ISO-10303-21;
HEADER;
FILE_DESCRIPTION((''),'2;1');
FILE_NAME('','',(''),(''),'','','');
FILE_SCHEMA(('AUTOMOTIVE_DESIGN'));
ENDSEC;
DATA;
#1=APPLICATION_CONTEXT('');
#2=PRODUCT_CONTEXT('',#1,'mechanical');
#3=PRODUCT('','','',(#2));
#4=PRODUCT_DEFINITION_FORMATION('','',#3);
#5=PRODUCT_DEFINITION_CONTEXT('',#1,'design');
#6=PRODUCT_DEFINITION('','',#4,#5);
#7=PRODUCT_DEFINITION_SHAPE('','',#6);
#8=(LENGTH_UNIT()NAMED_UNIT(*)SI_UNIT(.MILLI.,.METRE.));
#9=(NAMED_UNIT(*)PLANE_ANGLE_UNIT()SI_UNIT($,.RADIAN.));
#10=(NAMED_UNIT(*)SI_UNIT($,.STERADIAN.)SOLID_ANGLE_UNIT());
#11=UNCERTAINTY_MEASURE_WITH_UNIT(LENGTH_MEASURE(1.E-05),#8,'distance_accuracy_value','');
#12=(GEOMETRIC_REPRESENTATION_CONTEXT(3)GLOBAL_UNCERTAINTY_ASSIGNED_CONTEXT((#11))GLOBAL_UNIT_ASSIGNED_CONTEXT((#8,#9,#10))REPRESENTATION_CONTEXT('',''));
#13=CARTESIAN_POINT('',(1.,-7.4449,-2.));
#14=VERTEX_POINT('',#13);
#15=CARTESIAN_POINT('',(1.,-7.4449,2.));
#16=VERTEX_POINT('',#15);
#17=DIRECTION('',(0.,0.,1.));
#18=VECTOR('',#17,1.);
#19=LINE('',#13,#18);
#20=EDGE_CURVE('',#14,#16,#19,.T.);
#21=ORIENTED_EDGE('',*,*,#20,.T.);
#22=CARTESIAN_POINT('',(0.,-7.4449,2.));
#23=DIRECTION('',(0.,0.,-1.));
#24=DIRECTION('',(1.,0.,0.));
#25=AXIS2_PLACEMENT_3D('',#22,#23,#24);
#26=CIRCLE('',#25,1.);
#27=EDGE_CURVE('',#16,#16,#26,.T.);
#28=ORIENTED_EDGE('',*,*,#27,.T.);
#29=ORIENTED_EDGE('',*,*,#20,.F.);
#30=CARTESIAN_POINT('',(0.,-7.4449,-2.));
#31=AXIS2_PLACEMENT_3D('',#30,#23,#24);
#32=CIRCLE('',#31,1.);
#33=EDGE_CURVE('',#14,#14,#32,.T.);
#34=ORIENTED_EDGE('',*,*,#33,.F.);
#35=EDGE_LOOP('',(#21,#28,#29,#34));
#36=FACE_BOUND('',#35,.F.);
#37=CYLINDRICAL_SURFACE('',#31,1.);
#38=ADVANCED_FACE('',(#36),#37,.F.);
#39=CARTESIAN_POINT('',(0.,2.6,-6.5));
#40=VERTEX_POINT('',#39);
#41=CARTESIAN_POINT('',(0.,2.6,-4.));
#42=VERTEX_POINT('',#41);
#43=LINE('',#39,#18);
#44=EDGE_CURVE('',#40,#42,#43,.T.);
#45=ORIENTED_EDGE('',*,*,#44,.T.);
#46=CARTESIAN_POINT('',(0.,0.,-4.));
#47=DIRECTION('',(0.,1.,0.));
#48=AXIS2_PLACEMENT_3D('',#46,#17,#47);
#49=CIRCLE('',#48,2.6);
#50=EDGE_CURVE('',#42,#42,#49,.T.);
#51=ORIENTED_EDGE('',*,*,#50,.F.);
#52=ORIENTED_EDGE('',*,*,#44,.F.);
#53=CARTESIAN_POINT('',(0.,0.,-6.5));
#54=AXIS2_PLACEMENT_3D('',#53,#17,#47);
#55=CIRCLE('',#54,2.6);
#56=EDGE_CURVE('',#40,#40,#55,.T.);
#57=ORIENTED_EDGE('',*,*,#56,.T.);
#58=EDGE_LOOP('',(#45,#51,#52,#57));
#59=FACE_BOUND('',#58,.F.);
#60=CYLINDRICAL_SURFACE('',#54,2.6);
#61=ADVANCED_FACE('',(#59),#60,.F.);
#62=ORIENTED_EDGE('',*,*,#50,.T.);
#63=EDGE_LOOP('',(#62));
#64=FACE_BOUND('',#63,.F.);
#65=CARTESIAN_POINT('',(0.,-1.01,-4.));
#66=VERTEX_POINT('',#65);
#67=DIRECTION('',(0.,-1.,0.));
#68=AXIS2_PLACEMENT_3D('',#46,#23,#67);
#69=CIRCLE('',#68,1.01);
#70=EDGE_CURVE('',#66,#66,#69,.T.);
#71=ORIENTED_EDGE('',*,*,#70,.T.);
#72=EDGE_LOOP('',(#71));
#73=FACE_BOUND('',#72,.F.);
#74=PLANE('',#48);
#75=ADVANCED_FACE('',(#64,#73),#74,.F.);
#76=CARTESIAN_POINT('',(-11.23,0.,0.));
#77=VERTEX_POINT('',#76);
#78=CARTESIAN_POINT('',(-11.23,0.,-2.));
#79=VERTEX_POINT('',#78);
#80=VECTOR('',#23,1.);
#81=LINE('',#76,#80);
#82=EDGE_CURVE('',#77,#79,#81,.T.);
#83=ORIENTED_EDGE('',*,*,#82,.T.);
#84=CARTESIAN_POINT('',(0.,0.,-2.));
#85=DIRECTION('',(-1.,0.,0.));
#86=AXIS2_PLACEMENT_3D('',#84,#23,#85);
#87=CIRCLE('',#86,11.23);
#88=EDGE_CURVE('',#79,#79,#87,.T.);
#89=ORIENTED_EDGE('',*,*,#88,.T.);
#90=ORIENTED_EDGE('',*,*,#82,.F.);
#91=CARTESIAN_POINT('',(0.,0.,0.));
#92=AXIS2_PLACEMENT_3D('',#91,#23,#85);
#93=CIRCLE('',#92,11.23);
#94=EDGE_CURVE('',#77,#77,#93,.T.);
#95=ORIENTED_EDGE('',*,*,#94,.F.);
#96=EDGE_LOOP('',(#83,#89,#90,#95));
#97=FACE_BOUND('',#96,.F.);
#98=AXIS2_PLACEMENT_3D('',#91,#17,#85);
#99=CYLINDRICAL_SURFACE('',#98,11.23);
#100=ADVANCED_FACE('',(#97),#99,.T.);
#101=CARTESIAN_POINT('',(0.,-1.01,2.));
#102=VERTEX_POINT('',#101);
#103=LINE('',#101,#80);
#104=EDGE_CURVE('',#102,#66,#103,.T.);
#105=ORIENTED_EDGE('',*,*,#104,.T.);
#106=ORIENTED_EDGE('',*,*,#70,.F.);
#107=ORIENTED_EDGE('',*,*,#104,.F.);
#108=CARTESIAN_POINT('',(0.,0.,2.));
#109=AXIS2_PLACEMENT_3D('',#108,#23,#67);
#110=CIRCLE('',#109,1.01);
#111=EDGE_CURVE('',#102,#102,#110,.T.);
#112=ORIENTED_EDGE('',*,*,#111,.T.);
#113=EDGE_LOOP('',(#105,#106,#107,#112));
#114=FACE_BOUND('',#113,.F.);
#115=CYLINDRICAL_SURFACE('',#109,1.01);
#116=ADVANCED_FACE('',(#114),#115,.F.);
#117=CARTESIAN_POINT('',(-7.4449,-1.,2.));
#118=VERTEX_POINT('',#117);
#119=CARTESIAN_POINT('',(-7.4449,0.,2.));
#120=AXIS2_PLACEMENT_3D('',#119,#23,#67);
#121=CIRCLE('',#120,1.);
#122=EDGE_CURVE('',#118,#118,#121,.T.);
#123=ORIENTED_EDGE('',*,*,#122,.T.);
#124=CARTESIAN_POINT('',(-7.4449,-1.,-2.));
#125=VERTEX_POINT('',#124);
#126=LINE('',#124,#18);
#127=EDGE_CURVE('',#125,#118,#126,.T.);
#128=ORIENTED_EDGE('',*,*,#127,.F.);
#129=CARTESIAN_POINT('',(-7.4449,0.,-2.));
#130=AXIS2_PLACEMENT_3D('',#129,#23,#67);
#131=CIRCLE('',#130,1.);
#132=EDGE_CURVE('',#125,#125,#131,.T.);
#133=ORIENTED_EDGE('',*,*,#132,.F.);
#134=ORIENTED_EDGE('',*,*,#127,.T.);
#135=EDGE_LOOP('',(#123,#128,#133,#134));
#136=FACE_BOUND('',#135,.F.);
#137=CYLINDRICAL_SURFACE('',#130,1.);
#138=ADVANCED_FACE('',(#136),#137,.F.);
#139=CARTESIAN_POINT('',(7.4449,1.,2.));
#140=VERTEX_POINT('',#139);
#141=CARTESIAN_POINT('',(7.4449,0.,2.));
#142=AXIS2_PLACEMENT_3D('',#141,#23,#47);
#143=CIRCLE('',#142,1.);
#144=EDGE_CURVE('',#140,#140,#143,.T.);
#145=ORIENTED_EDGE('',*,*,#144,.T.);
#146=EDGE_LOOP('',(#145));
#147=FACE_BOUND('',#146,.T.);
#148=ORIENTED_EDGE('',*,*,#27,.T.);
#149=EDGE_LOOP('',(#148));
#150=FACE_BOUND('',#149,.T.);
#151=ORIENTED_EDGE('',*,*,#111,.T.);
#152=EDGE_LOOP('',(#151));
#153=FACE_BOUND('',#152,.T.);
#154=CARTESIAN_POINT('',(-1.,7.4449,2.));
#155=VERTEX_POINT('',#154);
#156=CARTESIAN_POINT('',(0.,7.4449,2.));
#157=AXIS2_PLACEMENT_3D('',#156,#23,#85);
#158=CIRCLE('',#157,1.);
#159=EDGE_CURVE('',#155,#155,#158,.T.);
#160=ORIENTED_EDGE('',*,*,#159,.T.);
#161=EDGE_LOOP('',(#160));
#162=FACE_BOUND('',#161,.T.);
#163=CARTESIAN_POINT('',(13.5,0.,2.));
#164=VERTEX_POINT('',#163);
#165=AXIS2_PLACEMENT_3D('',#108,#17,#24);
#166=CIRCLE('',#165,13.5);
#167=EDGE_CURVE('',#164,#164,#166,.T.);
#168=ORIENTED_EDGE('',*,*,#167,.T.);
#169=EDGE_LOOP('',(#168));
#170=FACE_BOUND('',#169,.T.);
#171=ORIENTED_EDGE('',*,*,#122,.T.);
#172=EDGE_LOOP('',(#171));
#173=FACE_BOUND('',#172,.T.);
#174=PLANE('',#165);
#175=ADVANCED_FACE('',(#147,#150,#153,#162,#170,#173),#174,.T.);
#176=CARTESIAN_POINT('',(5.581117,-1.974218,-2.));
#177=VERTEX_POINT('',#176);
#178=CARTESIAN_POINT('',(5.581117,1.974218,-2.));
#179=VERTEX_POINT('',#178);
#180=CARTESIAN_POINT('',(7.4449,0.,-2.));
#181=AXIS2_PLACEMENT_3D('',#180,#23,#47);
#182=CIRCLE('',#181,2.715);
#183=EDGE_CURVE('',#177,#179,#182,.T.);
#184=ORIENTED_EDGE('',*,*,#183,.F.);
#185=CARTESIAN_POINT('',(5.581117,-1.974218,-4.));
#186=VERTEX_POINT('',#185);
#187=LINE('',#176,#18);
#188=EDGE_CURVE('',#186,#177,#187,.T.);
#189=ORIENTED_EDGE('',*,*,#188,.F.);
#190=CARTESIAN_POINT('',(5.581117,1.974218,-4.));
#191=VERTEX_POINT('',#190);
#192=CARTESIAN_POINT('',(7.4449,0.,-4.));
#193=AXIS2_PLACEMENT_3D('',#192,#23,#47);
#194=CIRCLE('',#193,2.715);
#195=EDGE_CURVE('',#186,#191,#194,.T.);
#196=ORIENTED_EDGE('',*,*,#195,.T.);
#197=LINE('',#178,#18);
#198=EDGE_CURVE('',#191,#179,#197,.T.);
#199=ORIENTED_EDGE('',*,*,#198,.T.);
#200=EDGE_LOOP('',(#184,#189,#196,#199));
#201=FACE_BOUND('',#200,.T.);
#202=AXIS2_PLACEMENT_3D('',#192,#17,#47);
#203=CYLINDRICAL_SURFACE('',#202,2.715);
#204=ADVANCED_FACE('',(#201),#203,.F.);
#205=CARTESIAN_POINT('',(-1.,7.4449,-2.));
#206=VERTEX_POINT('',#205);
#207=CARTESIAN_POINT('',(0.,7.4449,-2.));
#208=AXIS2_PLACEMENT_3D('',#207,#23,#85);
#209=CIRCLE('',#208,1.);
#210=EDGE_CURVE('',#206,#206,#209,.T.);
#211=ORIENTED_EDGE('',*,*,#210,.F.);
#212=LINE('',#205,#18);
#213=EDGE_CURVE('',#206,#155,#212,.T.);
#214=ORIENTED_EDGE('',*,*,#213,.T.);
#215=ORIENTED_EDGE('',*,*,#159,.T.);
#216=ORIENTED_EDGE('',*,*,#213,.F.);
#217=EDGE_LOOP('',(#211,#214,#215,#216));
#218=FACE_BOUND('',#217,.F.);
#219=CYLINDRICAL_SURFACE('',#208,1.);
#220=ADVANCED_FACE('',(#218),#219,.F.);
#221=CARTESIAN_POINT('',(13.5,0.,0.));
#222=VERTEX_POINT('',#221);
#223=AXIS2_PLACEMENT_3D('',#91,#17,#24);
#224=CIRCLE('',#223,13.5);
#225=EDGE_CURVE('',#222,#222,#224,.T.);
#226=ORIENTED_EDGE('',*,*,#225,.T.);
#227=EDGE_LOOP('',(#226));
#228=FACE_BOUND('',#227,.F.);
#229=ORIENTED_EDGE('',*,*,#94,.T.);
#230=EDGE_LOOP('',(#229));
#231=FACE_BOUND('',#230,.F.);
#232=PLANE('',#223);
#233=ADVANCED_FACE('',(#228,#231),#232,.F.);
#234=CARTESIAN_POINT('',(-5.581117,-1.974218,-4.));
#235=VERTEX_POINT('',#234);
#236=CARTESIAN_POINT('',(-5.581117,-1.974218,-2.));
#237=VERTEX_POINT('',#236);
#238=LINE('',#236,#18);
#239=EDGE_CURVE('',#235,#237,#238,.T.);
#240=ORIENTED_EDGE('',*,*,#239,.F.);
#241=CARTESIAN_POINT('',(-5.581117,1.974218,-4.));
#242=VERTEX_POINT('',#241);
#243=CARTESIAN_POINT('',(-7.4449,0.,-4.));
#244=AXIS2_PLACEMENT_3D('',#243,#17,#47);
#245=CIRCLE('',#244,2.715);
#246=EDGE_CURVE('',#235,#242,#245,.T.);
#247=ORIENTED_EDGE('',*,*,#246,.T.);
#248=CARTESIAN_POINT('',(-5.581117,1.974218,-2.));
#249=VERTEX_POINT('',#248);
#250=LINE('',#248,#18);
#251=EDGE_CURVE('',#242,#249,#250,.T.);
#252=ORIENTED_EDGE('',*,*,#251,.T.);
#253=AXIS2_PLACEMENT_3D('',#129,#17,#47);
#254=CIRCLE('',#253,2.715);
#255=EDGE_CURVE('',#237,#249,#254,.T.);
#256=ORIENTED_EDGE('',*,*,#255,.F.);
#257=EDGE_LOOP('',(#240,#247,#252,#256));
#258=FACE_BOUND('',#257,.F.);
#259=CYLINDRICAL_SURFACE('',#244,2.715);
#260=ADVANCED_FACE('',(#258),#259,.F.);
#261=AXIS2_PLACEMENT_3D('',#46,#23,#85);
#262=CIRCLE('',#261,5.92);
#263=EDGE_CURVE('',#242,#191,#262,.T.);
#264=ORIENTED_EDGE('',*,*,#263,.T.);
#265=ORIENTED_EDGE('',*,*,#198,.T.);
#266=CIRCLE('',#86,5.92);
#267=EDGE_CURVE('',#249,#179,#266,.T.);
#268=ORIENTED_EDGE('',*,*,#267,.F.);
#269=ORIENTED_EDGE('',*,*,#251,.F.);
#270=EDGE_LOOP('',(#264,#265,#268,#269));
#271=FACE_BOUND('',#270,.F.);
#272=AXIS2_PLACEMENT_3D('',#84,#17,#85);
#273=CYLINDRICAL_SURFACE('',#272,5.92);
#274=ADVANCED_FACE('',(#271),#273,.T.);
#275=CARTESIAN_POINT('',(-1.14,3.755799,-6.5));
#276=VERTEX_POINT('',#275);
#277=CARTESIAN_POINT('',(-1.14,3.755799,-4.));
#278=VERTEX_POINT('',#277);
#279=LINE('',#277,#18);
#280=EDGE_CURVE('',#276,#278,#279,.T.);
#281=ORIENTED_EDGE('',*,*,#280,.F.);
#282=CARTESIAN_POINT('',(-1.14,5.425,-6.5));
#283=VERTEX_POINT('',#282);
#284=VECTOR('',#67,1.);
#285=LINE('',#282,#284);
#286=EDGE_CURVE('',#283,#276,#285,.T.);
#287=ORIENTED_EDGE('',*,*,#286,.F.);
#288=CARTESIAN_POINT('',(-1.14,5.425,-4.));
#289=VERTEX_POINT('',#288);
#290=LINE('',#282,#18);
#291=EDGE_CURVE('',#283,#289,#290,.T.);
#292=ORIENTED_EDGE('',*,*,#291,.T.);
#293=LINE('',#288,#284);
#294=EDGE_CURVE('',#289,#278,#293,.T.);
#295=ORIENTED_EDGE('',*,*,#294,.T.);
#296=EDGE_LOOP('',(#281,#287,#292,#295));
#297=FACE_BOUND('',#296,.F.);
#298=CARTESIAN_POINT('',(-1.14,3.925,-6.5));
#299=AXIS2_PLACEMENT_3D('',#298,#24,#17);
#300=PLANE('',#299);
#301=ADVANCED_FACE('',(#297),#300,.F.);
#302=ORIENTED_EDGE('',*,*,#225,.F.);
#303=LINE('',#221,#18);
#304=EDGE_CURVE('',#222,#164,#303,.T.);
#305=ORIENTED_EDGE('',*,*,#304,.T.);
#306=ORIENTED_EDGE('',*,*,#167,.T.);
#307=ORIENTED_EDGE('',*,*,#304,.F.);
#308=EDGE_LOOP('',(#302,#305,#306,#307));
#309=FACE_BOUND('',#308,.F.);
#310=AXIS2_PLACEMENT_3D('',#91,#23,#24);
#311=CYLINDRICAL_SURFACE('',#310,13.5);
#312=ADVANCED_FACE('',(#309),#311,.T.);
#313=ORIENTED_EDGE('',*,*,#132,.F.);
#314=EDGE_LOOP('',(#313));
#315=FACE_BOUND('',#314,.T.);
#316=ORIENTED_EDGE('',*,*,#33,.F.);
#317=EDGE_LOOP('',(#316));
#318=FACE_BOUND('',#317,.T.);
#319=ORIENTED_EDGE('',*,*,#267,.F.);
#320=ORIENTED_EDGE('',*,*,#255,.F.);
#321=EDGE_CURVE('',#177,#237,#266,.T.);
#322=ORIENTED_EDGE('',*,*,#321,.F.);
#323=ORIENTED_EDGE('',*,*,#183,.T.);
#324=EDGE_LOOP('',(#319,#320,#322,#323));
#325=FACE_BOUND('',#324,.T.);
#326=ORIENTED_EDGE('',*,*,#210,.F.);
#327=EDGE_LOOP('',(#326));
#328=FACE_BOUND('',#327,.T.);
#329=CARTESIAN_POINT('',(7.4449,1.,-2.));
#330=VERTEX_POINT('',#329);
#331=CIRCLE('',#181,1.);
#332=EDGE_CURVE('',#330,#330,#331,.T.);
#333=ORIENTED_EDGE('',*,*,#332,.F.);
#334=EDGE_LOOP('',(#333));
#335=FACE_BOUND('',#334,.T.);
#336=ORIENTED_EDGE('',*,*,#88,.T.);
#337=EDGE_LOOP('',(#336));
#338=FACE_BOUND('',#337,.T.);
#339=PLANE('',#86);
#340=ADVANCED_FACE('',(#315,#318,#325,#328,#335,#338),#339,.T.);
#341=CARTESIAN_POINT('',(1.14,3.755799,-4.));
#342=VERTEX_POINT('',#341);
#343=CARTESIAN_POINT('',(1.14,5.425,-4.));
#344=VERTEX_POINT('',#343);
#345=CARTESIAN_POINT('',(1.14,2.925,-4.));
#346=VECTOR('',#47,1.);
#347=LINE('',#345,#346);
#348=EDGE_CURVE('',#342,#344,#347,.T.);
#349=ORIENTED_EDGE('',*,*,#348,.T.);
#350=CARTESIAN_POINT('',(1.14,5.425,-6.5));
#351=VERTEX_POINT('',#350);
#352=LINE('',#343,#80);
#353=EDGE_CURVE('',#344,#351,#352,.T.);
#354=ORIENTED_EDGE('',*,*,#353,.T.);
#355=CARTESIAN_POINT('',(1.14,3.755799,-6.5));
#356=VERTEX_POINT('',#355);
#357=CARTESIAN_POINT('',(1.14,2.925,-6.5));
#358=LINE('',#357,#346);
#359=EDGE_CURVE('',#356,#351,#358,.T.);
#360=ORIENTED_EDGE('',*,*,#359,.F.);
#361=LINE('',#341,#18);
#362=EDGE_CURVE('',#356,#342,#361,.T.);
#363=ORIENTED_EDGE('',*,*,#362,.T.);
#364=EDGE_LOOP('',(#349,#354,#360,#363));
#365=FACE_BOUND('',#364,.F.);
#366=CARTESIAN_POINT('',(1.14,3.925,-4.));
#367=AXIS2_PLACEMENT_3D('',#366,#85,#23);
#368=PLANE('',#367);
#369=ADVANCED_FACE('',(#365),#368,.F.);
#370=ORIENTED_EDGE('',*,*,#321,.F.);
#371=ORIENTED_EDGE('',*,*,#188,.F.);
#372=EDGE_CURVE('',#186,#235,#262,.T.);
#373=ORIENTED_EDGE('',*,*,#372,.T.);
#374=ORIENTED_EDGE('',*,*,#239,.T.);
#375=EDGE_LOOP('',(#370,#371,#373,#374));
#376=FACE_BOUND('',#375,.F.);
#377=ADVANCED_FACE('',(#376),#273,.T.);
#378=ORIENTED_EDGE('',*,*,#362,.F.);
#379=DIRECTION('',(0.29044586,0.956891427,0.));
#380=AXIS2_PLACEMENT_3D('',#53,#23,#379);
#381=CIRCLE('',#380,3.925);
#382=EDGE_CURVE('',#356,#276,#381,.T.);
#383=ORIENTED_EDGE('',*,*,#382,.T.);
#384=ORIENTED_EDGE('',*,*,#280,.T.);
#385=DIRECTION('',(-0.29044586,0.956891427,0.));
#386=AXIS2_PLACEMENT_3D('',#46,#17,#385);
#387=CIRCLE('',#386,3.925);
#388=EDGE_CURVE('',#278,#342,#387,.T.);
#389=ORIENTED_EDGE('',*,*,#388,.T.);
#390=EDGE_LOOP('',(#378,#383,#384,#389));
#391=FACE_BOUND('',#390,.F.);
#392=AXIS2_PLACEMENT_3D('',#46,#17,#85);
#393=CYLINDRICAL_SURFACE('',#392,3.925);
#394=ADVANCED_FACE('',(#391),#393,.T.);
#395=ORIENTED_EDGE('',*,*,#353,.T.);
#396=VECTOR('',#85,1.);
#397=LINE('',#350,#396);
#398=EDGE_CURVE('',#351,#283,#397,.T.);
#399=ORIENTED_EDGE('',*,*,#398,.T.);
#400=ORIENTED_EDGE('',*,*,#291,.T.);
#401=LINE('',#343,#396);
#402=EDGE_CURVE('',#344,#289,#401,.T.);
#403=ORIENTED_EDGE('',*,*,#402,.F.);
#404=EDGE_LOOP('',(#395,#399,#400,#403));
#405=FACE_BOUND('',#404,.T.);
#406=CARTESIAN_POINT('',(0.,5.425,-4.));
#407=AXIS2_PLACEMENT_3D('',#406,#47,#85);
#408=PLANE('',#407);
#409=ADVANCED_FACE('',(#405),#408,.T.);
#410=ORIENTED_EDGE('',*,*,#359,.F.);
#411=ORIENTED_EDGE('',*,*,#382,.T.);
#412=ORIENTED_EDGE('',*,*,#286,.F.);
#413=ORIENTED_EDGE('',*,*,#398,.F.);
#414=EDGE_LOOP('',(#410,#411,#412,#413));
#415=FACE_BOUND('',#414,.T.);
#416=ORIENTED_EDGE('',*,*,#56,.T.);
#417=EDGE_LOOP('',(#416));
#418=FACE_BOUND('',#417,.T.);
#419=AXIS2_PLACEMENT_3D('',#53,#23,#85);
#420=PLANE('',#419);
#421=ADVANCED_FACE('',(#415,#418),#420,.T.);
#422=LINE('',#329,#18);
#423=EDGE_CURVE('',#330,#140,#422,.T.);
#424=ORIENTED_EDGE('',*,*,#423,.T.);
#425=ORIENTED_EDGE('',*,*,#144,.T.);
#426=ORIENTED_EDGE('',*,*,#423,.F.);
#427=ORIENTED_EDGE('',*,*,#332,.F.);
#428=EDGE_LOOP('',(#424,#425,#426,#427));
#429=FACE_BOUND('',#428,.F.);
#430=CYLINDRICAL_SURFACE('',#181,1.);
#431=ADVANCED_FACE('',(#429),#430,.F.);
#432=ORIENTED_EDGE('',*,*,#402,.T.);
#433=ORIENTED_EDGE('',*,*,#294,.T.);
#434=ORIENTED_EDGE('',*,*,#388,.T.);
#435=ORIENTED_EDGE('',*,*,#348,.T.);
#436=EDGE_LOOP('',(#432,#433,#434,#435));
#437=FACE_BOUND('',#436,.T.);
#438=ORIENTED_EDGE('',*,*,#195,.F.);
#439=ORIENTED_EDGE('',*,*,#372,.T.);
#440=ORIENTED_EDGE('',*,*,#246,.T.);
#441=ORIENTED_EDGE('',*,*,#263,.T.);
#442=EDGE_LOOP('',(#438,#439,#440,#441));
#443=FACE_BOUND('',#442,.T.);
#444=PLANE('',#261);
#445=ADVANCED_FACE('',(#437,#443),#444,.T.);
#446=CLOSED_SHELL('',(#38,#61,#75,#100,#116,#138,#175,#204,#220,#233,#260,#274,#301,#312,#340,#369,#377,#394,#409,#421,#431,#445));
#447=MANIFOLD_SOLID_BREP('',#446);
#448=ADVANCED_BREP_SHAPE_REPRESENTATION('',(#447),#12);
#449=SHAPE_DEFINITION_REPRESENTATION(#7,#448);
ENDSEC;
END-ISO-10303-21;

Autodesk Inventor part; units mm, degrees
ref_plane "YZ Plane" through (0, 0, 0) normal (1, 0, 0) x (0, 1, 0)
ref_plane "XY Plane" through (0, 0, 0) normal (0, 0, 1) x (1, 0, 0)
sketch "Boceto1" plane through (0, 0, 0) normal (0, 0, 1) x (1, 0, 0)
  circle A0 centre (0, 0) radius 13.5
  dimension "d0" = 27
extrude "Extrusión1" add sketch "Boceto1" along normal blind 2
sketch "Boceto2" plane through (0, 0, 0) normal (0, 0, -1) x (-1, 0, 0)
  circle A0 centre (0, 0) radius 13.5 projected
  circle A1 centre (0, 0) radius 11.23
  dimension "d3" = 22.46
extrude "Extrusión2" add sketch "Boceto2" along normal blind 2 contours A1
sketch "Boceto3" plane through (0, 0, -2) normal (0, 0, -1) x (-1, 0, 0)
  circle A0 centre (0, 0) radius 11.23 projected
  circle A1 centre (0, 0) radius 5.92
  dimension "d6" = 11.84
extrude "Extrusión3" add sketch "Boceto3" along normal blind 2 contours A1
sketch "Boceto4" plane through (0, 0, -4) normal (0, 0, -1) x (-1, 0, 0)
  circle A0 centre (0, 0) radius 5.92 projected
  circle A1 centre (0, 0) radius 3.925
  dimension "d9" = 7.85
extrude "Extrusión4" add sketch "Boceto4" along normal blind 2.5 contours A1
hole "Hole1" at (0, 0, 2) direction (0, 0, -1) diameter 2.02 end through all
hole "Hole2" at (0, 0, -6.5) direction (0, 0, 1) diameter 5.2 depth 2.5
ref_plane "Plano de trabajo1" through (0, 3.925, -4) normal (0, 1, 0) x (-1, 0, 0)
sketch "Boceto11" plane through (0, 3.925, -4) normal (0, 1, 0) x (-1, 0, 0)
  line L0 (0, 9) -> (0, -15.4341)
  line L1 (1.14, 0) -> (-1.14, 0)
  line L2 (-1.14, 0) -> (-1.14, -2.5)
  line L3 (-1.14, -2.5) -> (1.14, -2.5)
  line L4 (1.14, -2.5) -> (1.14, 0)
  dimension "d44" = 2.28
  dimension "d45" = 2.5
  dimension "d46" = 1.14
extrude "Extrusión6" add sketch "Boceto11" along normal blind 1.5 and the other way blind 1
sketch "Boceto13" plane through (0, 0, -2) normal (0, 0, -1) x (-1, 0, 0)
  circle A0 centre (0, 7.4449) radius 1
extrude "Extrusión7" cut sketch "Boceto13" against normal blind 6.5
pattern_circular "Patrón circular2" count 4 over 360 about axis through (0, 0, -10) along (0, 0, 1) of "Extrusión7"
hole "Hole6" at (-7.4449, 0, -4) direction (0, 0, 1) diameter 5.43 depth 2
mirror "Simetría2" about plane through (0, 0, 0) normal (1, 0, 0) of "Hole6"
properties part number "TapaPosterior"
